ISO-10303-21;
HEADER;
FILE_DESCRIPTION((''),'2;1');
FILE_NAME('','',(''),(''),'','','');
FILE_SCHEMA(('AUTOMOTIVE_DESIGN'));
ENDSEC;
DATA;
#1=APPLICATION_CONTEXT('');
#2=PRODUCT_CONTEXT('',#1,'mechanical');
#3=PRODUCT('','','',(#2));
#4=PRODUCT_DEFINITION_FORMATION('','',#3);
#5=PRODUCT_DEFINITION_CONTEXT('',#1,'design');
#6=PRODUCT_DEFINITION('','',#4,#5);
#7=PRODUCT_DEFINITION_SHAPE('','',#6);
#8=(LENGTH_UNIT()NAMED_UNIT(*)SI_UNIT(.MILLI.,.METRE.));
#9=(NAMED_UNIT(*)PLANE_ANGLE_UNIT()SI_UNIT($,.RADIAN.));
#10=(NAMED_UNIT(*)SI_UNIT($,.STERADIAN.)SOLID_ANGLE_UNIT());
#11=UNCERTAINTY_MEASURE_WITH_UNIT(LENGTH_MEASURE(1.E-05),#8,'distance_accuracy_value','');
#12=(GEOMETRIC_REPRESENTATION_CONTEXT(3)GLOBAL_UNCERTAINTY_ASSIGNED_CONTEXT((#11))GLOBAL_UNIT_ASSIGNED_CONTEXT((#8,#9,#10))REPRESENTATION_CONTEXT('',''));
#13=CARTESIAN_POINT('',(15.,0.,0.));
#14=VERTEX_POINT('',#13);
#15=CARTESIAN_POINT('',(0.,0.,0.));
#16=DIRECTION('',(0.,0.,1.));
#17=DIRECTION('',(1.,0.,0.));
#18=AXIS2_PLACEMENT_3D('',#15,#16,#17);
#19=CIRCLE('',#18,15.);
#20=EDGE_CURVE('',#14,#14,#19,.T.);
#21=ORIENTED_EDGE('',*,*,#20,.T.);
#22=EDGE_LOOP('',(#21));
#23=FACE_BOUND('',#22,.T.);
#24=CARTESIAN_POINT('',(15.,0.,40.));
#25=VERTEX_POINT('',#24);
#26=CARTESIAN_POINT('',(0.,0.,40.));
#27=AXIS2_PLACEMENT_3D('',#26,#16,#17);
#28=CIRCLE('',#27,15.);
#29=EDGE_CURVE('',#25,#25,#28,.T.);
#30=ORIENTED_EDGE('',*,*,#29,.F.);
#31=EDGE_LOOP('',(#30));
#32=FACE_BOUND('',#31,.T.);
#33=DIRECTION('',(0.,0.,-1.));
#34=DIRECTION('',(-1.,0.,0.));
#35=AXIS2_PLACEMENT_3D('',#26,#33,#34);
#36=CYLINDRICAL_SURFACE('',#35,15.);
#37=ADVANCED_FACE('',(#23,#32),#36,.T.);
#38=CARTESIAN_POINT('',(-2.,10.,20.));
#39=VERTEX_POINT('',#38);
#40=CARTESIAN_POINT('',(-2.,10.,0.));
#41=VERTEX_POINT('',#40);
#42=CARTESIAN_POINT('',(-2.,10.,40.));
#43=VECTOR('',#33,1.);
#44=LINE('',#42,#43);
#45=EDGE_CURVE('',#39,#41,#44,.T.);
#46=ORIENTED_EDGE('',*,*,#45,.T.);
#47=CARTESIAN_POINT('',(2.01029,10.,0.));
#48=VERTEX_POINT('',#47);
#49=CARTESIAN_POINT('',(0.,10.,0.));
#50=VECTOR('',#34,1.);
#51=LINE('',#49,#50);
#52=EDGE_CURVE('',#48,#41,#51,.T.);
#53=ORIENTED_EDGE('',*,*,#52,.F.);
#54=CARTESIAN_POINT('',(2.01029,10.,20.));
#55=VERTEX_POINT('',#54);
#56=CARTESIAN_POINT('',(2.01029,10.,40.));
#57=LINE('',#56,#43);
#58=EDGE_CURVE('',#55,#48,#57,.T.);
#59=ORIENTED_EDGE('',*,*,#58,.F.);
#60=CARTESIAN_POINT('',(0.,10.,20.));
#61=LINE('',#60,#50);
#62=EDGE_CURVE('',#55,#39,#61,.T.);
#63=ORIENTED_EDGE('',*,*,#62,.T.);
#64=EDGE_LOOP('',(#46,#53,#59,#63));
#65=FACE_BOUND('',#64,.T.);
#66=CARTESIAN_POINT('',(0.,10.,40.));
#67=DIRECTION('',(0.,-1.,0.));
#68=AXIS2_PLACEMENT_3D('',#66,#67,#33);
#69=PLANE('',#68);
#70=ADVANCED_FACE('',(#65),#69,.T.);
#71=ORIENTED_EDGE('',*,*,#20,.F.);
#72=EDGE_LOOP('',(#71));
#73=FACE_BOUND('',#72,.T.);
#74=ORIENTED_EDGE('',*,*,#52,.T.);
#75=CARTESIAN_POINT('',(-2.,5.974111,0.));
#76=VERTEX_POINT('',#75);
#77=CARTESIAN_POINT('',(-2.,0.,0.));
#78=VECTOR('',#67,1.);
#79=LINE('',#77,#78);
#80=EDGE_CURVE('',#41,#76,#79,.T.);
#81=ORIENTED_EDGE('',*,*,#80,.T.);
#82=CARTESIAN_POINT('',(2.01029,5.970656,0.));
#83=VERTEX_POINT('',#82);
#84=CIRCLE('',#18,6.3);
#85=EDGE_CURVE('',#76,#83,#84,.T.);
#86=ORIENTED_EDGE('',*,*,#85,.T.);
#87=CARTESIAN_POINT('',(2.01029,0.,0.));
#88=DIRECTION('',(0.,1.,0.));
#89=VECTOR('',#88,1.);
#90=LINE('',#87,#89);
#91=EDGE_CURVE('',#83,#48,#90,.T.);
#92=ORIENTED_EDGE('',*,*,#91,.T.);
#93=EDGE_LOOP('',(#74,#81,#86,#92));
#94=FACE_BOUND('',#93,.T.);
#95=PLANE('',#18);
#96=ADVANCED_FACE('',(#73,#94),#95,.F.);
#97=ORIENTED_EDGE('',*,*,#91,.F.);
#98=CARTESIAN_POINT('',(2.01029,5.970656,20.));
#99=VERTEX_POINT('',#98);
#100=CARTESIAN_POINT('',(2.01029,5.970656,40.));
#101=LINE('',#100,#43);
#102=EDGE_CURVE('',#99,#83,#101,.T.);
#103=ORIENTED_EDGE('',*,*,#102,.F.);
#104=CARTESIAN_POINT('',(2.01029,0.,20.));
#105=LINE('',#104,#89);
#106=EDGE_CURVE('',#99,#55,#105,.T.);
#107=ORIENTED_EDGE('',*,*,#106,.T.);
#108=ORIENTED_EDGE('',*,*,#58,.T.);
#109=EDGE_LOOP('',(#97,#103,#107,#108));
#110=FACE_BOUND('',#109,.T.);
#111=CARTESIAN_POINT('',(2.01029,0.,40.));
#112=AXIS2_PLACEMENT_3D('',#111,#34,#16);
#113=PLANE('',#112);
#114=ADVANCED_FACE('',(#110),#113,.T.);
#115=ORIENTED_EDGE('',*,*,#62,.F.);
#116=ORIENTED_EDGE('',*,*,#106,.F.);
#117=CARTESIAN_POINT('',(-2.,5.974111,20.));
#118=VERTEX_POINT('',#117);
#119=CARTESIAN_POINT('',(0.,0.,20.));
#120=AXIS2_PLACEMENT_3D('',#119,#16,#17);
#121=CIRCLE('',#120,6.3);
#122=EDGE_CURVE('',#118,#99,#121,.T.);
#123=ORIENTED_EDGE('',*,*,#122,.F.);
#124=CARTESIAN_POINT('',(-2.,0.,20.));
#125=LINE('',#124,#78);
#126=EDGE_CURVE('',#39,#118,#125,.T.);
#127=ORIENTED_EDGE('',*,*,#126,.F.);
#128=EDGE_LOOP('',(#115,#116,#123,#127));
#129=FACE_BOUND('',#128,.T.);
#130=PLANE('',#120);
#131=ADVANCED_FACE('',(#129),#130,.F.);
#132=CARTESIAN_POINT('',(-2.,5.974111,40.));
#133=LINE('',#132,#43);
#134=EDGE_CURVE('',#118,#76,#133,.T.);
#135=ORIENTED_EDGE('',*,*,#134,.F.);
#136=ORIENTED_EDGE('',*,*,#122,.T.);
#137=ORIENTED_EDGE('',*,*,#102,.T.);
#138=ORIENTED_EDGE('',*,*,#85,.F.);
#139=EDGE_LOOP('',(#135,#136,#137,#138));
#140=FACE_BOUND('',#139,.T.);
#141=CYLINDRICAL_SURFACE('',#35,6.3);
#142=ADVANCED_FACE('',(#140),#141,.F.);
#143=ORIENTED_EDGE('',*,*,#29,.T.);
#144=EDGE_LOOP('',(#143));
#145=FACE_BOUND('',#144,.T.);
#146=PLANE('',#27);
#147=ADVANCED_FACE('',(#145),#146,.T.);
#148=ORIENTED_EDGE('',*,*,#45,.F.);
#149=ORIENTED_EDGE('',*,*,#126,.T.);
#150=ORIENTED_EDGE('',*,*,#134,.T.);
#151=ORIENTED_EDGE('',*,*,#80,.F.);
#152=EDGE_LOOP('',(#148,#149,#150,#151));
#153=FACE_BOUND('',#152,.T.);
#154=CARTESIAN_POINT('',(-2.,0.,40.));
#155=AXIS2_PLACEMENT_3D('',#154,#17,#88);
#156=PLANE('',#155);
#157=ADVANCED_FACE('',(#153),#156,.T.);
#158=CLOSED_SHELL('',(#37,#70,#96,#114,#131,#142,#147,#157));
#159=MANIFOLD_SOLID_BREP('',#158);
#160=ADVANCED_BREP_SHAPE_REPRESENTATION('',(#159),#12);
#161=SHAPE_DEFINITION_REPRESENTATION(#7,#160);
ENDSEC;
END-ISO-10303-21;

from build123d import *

# Parameters (mm, degrees)
SKETCH1_R           = 15
BOSS_EXTRUDE1_DEPTH = 40
BOSS_EXTRUDE2_START = -20
SKETCH2_R           = 15
BOSS_EXTRUDE2_DEPTH = 20


with BuildPart() as part:
    # Sketch1 → Boss-Extrude1 (new body)
    with BuildSketch(Plane.XY):
        Circle(SKETCH1_R)
        with BuildLine():
            Line((2.010289907, 10), (2.010289907, 5.970656119))
            ThreePointArc((2.010289907, 5.970656119), (5.116386733, 3.675947061), (6.3, 0))
            ThreePointArc((6.3, 0), (-3.680353244, -5.113218165), (-2, 5.974110812))
            Line((-2, 5.974110812), (-2, 10))
            Line((-2, 10), (2.010289907, 10))
        make_face(mode=Mode.SUBTRACT)
    extrude(amount=BOSS_EXTRUDE1_DEPTH)

    # Sketch2 → Boss-Extrude2 (add)
    with BuildSketch(Plane.XY.offset(40).offset(BOSS_EXTRUDE2_START)):
        Circle(SKETCH2_R)
    extrude(amount=BOSS_EXTRUDE2_DEPTH)


solid = part.part
